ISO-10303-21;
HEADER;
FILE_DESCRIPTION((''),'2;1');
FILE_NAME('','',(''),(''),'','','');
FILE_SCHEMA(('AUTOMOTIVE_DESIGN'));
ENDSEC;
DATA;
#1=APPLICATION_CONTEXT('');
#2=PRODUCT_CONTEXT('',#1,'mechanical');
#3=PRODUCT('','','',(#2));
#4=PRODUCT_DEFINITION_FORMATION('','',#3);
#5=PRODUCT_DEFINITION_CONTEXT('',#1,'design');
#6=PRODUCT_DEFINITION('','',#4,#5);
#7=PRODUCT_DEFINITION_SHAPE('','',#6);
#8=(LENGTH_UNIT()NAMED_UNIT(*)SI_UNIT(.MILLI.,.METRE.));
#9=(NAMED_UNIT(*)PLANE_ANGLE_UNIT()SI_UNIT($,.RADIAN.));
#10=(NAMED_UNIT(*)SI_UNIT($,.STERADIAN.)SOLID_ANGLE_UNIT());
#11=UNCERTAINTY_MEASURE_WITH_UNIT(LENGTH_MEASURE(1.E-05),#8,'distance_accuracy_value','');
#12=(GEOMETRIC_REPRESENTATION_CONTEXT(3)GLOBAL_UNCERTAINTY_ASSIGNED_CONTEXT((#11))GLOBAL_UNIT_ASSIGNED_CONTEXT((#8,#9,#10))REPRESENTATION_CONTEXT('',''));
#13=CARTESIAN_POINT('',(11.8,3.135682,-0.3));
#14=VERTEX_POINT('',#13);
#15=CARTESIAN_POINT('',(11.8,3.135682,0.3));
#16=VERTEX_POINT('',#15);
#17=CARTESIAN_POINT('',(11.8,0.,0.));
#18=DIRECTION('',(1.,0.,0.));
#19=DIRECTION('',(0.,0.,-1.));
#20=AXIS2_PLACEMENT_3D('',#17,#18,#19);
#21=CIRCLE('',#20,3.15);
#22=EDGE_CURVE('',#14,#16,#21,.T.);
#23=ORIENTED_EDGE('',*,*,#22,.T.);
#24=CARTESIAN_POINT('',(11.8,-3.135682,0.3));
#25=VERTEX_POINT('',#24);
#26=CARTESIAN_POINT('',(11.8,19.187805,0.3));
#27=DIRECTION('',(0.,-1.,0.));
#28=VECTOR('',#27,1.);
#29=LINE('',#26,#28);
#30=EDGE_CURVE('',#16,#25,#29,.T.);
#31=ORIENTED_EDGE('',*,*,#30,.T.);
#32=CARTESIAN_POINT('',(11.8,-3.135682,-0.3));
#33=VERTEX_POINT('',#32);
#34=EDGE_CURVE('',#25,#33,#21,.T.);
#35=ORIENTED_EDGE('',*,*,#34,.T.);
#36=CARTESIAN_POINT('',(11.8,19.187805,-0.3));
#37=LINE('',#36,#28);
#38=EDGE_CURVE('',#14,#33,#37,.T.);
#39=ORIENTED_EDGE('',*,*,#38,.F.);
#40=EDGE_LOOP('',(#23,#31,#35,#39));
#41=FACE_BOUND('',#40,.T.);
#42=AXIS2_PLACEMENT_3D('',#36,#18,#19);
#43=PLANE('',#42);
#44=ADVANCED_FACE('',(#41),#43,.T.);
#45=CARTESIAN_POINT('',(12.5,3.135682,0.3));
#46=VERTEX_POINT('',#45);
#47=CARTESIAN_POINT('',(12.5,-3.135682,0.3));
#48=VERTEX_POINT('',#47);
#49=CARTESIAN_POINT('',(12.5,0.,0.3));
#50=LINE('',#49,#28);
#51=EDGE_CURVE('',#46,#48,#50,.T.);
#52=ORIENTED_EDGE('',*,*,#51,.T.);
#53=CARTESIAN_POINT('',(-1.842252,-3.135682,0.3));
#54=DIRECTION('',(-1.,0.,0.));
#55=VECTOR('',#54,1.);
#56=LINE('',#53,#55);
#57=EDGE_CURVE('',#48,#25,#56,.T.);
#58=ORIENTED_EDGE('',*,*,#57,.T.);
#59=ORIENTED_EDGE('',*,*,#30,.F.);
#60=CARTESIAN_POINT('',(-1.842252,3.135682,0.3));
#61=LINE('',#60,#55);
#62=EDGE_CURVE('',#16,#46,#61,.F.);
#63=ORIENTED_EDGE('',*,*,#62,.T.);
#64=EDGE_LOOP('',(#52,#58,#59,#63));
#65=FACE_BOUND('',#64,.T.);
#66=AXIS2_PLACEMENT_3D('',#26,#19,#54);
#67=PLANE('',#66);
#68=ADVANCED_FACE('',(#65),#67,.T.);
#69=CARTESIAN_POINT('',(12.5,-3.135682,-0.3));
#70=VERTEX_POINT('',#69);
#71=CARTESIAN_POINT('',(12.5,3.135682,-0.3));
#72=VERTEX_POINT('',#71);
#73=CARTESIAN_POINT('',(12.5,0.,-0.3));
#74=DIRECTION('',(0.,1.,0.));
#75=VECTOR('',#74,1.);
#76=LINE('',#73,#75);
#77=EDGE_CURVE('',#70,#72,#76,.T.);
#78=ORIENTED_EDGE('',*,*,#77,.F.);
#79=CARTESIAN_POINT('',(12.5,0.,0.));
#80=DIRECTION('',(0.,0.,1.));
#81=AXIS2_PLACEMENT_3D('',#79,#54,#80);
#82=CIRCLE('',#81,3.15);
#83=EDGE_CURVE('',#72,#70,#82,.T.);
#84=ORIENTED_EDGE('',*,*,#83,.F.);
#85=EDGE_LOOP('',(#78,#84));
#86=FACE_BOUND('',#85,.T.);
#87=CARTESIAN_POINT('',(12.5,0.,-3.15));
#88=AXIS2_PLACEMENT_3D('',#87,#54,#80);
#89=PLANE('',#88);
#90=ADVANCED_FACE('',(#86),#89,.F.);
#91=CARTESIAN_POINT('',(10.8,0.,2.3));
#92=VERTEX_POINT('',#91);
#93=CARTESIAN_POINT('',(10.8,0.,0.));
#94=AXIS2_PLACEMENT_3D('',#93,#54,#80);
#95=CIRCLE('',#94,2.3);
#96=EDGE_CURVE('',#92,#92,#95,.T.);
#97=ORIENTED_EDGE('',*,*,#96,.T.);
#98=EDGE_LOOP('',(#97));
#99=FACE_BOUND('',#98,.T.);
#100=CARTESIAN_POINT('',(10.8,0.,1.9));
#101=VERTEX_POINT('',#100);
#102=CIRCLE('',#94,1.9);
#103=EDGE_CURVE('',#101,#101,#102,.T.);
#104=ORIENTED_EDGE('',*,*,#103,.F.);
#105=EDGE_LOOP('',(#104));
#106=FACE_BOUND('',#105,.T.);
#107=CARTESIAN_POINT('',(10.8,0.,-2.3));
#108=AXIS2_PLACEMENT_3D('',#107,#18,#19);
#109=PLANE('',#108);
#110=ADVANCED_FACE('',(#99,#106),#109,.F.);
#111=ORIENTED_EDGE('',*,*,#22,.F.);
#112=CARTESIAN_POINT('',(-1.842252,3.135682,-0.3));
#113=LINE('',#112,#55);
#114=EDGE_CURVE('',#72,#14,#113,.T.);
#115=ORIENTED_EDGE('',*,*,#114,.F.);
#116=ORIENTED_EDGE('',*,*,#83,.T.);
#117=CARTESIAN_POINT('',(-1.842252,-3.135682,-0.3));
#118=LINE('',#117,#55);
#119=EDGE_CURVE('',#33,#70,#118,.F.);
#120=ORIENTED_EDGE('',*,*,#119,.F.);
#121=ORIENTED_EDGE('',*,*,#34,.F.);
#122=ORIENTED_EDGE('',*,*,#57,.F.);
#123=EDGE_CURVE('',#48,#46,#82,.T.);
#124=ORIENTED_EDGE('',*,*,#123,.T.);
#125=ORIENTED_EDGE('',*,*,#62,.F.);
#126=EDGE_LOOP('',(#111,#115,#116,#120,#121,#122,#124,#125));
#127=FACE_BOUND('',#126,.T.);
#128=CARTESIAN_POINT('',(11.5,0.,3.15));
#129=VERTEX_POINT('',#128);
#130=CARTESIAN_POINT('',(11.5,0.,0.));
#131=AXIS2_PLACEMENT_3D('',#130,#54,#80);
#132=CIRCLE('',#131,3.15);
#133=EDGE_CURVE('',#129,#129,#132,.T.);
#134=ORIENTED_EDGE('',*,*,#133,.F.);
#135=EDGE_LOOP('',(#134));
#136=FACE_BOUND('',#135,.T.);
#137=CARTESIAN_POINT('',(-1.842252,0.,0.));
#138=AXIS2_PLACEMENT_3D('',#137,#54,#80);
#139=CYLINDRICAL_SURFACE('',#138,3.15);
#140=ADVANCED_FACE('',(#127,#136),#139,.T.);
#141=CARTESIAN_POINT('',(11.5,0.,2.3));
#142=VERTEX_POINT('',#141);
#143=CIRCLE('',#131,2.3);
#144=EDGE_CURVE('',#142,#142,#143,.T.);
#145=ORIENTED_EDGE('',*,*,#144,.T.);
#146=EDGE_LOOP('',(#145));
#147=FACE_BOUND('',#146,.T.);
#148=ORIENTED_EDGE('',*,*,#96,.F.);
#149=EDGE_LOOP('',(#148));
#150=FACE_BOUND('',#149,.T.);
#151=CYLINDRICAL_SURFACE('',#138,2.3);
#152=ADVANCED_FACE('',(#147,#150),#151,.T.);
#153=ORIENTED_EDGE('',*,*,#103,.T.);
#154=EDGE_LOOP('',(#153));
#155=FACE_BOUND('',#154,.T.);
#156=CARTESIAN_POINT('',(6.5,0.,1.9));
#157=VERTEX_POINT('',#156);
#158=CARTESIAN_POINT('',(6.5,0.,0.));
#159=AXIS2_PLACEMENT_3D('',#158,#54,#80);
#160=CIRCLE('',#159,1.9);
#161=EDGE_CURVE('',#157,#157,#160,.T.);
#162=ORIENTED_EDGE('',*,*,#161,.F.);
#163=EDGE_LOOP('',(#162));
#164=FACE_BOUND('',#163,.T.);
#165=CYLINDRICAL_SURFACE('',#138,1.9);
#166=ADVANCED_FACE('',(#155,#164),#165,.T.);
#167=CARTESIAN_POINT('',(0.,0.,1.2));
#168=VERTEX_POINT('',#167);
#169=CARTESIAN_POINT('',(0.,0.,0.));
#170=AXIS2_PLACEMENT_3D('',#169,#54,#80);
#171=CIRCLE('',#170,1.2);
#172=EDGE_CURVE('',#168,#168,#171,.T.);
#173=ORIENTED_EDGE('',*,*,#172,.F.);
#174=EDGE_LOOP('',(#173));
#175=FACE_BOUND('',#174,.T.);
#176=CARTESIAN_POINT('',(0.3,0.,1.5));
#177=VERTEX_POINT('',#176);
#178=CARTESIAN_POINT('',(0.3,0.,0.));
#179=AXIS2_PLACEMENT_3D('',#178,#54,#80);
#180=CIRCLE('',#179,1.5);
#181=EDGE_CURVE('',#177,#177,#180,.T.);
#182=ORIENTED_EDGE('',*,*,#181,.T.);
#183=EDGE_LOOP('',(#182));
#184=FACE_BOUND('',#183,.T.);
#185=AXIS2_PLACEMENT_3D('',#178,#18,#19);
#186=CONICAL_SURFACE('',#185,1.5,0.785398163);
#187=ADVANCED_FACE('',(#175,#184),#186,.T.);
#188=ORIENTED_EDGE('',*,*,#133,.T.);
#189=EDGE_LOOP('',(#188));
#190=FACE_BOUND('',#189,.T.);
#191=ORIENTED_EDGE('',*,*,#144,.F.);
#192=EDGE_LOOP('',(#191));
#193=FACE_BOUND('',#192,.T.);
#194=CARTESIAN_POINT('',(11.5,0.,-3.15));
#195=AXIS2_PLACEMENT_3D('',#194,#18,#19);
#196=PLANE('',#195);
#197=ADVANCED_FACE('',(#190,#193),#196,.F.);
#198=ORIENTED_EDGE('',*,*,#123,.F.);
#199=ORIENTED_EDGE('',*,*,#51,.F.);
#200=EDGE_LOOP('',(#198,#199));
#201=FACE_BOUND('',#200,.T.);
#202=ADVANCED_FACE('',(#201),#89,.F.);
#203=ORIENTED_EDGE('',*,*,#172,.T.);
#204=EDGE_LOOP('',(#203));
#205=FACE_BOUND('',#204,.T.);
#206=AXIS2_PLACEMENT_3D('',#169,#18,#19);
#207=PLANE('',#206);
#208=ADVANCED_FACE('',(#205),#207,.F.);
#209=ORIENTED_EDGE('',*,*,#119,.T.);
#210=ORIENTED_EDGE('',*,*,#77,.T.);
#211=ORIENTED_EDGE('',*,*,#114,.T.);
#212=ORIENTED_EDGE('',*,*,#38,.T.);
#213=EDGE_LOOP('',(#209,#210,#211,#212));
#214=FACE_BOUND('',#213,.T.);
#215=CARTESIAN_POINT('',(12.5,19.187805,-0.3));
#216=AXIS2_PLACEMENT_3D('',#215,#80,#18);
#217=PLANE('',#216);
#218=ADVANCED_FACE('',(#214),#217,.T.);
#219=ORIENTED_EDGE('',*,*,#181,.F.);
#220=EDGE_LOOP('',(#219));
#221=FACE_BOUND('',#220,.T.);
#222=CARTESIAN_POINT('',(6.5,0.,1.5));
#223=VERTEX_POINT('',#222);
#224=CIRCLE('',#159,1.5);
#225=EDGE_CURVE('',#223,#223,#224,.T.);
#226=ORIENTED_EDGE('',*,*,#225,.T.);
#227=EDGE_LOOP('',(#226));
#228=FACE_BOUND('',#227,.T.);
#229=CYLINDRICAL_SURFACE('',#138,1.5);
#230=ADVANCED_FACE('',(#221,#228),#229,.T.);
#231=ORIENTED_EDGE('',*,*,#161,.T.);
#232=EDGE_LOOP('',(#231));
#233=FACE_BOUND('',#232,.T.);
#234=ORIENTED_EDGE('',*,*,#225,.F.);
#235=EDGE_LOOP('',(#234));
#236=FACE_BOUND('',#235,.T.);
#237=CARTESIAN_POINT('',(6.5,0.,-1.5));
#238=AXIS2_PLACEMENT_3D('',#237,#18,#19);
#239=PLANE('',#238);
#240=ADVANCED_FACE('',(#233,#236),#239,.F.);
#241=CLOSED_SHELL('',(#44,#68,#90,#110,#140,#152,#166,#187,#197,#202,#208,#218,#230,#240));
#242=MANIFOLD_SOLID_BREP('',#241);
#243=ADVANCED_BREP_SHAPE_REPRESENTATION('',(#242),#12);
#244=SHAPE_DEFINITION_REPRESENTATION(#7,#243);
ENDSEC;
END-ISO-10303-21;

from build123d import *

# Parameters (mm, degrees)
CUT_EXTRUDE_1_DEPTH      = 4.15
CUT_EXTRUDE_1_DEPTH_BACK = 4.15


with BuildPart() as part:
    # Эскиз1 → Повернуть1 (revolve)
    with BuildSketch(Plane(origin=(0, 0, 0), x_dir=(1, 0, 0), z_dir=(0, 1, 0))):
        Polygon((0, 0), (0, 1.2), (0.3, 1.5), (6.5, 1.5), (6.5, 1.9), (10.8, 1.9), (10.8, 2.3), (11.5, 2.3), (11.5, 3.15), (12.5, 3.15), (12.5, 0), align=None)
    revolve(axis=Axis((-1.842251792, 0, 0), (1, 0, 0)))

    # Эскиз2 → Вырез-Вытянуть1 (cut, two sides)
    with BuildSketch(Plane(origin=(0, 0, 0), x_dir=(1, 0, 0), z_dir=(0, 1, 0))) as cut_extrude_1_sk:
        Polygon((48.434725755, 0.3), (12.5, 0.3), (11.8, 0.3), (11.8, -0.3), (12.5, -0.3), (48.434725755, -0.3), (120.304177266, -0.3), (120.304177266, 0.3), align=None)
    extrude(amount=CUT_EXTRUDE_1_DEPTH, mode=Mode.SUBTRACT)
    extrude(cut_extrude_1_sk.sketch, amount=-CUT_EXTRUDE_1_DEPTH_BACK, mode=Mode.SUBTRACT)


solid = part.part
